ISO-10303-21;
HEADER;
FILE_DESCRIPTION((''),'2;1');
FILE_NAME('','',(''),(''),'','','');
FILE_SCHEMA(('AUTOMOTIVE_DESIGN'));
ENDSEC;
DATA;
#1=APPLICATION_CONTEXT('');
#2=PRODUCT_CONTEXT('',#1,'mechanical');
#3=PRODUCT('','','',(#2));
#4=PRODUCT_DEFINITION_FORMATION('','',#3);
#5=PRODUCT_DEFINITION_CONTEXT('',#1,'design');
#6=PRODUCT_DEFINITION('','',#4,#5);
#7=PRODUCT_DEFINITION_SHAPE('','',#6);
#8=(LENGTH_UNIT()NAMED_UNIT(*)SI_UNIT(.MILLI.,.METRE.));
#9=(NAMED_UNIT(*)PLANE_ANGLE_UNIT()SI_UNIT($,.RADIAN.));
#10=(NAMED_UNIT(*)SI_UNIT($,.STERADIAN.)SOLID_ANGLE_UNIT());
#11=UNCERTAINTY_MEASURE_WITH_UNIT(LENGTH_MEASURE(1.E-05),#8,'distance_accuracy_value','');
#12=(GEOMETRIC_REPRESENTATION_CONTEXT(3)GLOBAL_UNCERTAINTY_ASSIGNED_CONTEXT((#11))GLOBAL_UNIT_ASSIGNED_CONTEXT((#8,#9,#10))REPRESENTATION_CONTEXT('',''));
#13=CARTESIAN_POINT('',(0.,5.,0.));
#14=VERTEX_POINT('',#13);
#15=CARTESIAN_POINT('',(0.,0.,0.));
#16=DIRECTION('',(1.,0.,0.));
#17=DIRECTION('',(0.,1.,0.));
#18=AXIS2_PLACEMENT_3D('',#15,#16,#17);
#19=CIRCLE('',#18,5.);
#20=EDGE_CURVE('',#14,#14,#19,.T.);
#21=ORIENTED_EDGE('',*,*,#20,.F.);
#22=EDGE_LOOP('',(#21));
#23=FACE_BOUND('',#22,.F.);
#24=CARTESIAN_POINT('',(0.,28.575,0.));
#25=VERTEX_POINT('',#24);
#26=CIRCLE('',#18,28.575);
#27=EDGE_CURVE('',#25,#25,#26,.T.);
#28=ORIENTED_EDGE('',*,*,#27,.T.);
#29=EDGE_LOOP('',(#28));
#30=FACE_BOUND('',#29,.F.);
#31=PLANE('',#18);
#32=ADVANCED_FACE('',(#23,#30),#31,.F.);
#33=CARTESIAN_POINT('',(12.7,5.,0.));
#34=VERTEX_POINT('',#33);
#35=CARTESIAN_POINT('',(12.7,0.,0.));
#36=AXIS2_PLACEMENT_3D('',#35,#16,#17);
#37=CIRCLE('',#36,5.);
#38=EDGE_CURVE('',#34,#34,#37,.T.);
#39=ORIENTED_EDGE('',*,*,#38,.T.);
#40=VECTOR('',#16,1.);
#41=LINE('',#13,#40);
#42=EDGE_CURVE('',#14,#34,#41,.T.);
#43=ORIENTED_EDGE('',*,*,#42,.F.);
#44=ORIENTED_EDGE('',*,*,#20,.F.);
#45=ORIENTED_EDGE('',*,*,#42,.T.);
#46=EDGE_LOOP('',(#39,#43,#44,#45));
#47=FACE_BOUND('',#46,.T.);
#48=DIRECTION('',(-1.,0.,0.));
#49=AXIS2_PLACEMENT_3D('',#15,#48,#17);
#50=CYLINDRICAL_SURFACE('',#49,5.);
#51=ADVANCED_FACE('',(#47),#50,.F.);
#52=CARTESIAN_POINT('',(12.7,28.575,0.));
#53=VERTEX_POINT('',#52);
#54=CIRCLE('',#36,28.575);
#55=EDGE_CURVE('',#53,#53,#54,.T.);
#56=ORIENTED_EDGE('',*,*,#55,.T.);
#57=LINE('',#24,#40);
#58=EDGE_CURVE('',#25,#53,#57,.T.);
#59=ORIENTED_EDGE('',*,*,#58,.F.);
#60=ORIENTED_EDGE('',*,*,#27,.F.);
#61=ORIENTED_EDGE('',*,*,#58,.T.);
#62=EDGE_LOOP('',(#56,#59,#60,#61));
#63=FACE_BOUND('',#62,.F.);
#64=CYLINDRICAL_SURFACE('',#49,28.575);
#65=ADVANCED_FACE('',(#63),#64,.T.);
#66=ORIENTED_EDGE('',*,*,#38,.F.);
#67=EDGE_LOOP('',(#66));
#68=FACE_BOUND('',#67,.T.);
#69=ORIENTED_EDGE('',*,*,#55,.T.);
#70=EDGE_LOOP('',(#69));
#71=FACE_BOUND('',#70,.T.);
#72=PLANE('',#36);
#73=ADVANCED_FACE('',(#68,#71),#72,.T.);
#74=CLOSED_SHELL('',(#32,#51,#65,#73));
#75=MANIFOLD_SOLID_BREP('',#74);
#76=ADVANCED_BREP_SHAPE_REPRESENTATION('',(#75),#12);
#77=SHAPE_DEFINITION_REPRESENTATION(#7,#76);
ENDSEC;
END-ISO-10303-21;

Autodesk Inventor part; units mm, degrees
ref_plane "YZ Plane" through (0, 0, 0) normal (1, 0, 0) x (0, 1, 0)
ref_plane "XZ Plane" through (0, 0, 0) normal (0, 1, 0) x (-1, 0, 0)
ref_plane "XY Plane" through (0, 0, 0) normal (0, 0, 1) x (1, 0, 0)
sketch "Sketch1" plane through (0, 0, 0) normal (1, 0, 0) x (0, 1, 0)
  circle A0 centre (0, 0) radius 5
  circle A1 centre (0, 0) radius 28.575
  dimension "d0" = 10
  dimension "d1" = 57.15
extrude "Extrusion1" add sketch "Sketch1" along normal blind 12.7
properties part number "WheelV1" material "Rubber"
